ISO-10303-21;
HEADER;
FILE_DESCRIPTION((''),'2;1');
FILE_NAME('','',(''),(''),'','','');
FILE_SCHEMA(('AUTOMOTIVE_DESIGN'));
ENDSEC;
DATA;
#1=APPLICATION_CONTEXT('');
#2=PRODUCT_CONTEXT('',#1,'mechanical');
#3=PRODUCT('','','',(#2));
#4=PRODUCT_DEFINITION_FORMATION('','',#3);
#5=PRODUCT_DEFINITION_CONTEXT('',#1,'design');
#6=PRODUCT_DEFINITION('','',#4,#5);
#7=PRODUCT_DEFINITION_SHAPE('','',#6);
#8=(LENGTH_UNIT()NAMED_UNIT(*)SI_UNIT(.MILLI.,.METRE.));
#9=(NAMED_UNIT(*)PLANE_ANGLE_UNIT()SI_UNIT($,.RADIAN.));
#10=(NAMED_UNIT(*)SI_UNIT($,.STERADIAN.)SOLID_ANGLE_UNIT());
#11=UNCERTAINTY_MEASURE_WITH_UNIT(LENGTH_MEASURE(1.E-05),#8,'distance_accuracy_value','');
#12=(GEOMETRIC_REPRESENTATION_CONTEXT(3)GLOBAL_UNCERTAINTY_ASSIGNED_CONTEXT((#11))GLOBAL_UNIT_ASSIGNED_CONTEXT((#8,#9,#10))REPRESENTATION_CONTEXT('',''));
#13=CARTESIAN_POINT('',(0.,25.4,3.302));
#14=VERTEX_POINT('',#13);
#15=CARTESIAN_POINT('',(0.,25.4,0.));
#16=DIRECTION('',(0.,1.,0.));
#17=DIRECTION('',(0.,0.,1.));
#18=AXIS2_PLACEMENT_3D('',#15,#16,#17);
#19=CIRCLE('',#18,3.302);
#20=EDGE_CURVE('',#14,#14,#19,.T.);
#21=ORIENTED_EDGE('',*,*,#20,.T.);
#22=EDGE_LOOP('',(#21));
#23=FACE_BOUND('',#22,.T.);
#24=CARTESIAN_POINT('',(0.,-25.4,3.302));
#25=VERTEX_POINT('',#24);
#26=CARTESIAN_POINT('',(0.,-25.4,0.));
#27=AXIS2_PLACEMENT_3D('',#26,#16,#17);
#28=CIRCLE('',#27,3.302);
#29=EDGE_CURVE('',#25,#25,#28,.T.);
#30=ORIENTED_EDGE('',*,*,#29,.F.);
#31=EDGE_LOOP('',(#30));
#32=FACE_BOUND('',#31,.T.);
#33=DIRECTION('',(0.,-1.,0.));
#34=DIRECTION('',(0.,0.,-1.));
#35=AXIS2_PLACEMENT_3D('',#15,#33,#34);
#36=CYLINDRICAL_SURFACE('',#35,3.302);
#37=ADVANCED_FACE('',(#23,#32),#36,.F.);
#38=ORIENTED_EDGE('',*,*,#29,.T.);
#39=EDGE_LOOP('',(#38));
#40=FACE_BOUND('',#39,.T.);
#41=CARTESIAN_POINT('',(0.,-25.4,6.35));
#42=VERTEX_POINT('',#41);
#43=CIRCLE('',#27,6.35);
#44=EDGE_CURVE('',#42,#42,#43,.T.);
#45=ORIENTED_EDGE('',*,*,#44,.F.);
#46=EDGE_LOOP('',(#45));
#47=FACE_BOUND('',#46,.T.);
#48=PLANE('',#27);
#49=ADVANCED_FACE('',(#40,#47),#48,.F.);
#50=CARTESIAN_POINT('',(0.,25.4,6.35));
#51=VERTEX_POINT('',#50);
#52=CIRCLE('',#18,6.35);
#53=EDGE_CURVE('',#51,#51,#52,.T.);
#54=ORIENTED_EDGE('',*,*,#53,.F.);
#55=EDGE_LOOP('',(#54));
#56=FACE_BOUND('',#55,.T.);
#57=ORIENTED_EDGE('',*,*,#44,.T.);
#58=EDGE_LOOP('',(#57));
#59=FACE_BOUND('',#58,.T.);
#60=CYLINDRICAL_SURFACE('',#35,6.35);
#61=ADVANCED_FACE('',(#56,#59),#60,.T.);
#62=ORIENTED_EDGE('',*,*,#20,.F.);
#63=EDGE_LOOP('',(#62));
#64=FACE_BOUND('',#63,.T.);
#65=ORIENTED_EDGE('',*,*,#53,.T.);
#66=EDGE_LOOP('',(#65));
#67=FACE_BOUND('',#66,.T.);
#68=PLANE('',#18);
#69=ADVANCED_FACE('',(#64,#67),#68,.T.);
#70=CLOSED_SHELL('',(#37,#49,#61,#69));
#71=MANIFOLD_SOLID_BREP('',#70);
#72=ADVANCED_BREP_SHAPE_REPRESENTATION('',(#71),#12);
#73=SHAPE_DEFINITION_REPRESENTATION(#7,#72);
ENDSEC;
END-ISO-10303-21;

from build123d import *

# Parameters (mm, degrees)
SKETCH1_R           = 6.35
SKETCH1_R_2         = 3.302
BOSS_EXTRUDE1_DEPTH = 25.4


with BuildPart() as part:
    # Sketch1 → Boss-Extrude1 (new, symmetric)
    with BuildSketch(Plane(origin=(0, 0, 0), x_dir=(1, 0, 0), z_dir=(0, 1, 0))):
        with Locations(Location((0, 0, 0), (0, 0, 270))):
            Circle(SKETCH1_R)
        with Locations(Location((0, 0, 0), (0, 0, 270))):
            Circle(SKETCH1_R_2, mode=Mode.SUBTRACT)
    extrude(amount=BOSS_EXTRUDE1_DEPTH, both=True)


solid = part.part
